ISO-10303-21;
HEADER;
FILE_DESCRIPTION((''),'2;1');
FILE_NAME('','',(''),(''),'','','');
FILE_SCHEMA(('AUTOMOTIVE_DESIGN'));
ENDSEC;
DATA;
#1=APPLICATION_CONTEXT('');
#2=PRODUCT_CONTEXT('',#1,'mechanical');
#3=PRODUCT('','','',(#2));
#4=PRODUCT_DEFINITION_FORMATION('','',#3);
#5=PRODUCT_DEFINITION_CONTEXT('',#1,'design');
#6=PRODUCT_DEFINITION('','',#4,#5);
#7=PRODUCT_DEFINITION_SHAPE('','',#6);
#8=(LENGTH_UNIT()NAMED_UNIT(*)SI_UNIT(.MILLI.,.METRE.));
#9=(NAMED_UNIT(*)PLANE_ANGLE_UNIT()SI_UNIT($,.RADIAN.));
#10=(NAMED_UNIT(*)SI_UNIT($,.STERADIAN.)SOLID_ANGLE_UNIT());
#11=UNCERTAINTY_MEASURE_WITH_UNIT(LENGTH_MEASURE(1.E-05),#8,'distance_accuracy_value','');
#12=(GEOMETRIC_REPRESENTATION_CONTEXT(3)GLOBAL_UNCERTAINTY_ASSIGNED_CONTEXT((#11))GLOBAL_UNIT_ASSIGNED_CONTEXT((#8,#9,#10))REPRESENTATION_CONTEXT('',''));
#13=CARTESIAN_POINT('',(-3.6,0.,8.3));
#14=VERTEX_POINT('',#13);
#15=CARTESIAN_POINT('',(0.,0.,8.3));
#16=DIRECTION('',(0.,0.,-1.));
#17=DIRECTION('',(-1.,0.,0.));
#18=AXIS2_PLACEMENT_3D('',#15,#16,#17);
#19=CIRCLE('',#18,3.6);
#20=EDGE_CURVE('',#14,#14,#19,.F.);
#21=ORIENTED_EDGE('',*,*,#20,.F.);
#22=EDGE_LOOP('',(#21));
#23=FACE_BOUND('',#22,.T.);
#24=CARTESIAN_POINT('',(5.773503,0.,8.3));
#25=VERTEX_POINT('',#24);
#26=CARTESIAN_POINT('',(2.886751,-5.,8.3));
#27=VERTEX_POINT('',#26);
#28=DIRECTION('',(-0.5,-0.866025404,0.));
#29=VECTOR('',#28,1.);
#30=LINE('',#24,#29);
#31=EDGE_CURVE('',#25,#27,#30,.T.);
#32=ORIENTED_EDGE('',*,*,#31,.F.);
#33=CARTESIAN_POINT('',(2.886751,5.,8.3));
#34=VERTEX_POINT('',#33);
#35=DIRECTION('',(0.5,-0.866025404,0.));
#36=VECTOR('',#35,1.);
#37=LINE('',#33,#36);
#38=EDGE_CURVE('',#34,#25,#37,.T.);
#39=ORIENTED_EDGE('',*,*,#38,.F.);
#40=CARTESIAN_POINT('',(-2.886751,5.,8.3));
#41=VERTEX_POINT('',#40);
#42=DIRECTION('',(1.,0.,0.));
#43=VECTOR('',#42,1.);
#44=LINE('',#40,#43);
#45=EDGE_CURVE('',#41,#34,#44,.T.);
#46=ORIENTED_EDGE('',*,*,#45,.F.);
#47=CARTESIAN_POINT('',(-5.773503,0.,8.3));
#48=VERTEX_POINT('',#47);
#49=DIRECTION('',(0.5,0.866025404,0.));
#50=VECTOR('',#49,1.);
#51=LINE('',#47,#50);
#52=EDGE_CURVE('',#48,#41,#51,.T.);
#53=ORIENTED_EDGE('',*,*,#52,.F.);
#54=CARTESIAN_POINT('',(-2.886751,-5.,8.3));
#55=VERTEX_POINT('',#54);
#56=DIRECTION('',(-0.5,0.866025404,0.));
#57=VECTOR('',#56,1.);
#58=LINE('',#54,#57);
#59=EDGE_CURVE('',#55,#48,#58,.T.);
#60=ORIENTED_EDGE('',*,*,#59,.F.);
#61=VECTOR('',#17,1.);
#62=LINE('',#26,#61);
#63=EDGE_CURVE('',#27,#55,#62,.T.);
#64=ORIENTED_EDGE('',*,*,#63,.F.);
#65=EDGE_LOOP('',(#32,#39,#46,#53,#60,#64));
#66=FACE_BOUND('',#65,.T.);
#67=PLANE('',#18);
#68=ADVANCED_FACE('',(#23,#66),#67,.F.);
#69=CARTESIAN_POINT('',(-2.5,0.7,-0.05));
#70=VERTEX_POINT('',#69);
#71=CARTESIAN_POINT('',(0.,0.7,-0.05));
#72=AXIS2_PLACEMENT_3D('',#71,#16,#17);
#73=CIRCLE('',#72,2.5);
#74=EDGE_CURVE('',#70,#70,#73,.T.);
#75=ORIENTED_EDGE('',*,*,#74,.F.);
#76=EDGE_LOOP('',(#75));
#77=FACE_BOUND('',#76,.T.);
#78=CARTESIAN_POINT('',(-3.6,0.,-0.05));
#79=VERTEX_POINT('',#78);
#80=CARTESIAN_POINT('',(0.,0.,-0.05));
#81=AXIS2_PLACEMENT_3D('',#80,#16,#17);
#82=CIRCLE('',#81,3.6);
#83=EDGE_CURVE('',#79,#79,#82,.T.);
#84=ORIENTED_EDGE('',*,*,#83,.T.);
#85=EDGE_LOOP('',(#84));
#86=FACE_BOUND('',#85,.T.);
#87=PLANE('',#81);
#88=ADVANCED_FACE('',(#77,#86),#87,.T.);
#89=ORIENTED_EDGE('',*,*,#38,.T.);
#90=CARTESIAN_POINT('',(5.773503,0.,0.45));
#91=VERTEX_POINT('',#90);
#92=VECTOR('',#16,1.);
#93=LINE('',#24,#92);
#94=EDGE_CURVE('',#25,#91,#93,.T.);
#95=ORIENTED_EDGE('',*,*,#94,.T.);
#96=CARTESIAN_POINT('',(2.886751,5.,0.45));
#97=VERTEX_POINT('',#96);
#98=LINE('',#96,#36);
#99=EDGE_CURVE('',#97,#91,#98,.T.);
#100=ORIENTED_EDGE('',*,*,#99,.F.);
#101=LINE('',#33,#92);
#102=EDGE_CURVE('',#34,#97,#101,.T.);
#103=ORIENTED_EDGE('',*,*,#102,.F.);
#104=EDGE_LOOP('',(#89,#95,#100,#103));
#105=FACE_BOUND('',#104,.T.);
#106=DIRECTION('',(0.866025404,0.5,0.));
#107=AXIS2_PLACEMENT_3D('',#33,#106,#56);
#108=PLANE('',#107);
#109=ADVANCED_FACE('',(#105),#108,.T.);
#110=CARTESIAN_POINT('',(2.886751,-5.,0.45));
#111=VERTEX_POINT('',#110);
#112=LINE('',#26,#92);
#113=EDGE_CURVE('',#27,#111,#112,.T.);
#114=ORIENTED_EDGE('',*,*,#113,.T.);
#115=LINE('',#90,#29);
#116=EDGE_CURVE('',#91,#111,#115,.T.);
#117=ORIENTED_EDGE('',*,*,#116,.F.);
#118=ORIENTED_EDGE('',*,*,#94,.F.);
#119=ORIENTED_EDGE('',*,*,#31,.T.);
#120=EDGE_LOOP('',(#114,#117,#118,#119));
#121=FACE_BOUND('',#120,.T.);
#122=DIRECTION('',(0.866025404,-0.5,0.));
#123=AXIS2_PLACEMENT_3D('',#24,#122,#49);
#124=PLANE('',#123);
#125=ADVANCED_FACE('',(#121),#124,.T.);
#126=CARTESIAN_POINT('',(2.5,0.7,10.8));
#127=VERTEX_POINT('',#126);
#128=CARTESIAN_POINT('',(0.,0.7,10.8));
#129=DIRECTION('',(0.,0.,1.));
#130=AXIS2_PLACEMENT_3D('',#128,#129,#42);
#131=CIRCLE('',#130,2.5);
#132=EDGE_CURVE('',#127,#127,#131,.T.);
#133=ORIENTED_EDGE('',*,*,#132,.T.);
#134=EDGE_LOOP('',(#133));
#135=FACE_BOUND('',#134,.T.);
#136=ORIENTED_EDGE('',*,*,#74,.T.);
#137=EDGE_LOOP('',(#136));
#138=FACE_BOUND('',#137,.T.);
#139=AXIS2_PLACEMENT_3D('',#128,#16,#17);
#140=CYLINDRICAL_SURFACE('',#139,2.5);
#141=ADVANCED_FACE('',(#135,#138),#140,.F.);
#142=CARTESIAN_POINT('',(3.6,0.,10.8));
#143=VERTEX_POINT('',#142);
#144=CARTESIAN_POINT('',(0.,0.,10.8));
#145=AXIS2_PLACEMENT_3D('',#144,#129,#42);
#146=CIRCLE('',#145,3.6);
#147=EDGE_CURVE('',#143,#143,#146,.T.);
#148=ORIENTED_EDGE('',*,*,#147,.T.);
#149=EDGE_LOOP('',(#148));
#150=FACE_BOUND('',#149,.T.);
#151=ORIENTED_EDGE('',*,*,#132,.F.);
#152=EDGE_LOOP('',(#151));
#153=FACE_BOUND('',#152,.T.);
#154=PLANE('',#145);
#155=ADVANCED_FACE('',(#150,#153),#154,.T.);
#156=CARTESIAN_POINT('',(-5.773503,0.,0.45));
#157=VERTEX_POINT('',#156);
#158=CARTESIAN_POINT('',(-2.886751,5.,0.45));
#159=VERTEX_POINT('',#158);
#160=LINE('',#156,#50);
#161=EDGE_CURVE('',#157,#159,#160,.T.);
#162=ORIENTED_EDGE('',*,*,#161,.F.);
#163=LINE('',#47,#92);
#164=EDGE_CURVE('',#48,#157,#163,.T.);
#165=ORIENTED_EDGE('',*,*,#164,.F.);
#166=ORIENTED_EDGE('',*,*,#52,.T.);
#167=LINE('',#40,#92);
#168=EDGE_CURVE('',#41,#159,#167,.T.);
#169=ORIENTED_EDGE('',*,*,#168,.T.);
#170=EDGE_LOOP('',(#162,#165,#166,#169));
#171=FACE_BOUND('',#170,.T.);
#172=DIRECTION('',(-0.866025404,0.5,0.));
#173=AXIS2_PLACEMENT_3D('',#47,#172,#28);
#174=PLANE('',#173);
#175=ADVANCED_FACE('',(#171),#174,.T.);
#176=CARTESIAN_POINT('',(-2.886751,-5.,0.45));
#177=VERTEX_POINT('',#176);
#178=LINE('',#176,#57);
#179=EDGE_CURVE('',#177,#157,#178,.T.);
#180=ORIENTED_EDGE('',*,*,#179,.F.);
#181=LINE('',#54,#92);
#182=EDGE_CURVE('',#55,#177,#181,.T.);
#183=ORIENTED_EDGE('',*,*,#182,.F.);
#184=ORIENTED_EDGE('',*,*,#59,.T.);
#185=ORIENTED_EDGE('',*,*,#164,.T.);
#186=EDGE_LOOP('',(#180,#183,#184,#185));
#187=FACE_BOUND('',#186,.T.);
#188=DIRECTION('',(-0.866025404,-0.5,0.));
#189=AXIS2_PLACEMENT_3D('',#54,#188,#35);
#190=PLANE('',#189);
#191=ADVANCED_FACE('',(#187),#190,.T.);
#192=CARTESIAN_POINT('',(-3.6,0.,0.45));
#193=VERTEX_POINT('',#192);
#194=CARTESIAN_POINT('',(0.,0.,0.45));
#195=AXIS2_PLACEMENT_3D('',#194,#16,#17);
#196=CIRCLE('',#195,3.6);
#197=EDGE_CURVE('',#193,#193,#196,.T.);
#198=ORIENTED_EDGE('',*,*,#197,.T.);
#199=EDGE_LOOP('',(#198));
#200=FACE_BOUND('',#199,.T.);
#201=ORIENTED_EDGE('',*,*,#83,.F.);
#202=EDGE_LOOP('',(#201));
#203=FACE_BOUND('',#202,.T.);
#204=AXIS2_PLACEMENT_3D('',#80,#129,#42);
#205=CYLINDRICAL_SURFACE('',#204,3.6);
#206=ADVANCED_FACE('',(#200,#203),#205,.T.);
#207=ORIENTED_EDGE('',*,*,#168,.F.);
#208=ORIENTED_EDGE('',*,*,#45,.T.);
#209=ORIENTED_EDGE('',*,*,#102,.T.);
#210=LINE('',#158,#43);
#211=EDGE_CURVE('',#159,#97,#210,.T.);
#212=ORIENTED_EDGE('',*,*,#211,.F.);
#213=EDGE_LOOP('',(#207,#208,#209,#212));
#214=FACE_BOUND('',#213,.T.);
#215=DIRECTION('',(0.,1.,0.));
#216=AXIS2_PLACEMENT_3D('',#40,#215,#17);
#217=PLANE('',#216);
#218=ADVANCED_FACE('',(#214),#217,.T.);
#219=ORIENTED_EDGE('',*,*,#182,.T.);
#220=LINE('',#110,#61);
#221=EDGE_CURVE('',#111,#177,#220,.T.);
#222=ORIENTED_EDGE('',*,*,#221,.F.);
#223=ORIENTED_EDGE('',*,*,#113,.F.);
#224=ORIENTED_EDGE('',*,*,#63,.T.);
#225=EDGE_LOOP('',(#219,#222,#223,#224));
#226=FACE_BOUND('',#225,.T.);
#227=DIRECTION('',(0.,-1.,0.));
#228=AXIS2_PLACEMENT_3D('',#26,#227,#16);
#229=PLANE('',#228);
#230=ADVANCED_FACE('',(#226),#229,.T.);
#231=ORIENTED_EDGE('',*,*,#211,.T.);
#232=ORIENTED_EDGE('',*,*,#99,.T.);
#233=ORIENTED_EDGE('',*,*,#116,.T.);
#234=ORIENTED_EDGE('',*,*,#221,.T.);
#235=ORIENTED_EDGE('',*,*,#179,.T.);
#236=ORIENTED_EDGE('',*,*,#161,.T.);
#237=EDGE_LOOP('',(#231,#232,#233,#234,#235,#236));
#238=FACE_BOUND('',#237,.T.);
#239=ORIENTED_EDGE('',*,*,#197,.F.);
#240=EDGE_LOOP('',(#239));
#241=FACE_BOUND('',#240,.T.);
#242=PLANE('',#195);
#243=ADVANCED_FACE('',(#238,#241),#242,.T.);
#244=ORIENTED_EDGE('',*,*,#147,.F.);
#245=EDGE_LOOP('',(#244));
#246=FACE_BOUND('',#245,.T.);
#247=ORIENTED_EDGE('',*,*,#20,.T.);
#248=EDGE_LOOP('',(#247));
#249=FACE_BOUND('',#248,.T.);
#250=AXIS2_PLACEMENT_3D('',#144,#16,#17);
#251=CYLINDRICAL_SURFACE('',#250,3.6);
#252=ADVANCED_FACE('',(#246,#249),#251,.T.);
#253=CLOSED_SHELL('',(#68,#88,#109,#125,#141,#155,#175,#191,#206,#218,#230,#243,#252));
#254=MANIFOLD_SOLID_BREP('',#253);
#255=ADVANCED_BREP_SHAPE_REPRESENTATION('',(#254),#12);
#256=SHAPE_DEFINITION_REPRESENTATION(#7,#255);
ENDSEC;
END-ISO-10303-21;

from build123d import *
from build123d.topology import SkipClean

# Parameters (mm, degrees)
SALIENTE_EXTRUIR1_DEPTH = 7.85
CROQUIS6_R              = 3.6
CROQUIS6_R_2            = 2.5
SALIENTE_EXTRUIR2_DEPTH = 2.5
SALIENTE_EXTRUIR3_START = 0.5
CROQUIS7_R              = 3.6
CROQUIS7_R_2            = 2.5
SALIENTE_EXTRUIR3_DEPTH = 0.5
CORTAR_EXTRUIR1_START   = -8.5
CROQUIS9_R              = 2.5
CORTAR_EXTRUIR1_DEPTH   = 8.5


with BuildPart() as part:
    # Croquis1 → Saliente-Extruir1 (new body)
    with BuildSketch(Plane(origin=(0, 0, 0.45), x_dir=(-1, 0, 0), z_dir=(0, 0, -1))):
        Polygon((2.886751346, -5), (5.773502692, 0), (2.886751346, 5), (-2.886751346, 5), (-5.773502692, 0), (-2.886751346, -5), align=None)
    extrude(amount=-SALIENTE_EXTRUIR1_DEPTH)

    # Croquis6 → Saliente-Extruir2 (add)
    with BuildSketch(Plane.XY.offset(8.3)):
        with Locations(Location((0, 0, 0), (0, 0, 180))):
            Circle(CROQUIS6_R)
        with Locations((0, 0.7)):
            Circle(CROQUIS6_R_2, mode=Mode.SUBTRACT)
    extrude(amount=SALIENTE_EXTRUIR2_DEPTH)

    # Croquis7 → Saliente-Extruir3 (add)
    with BuildSketch(Plane(origin=(0, 0, 0.45), x_dir=(-1, 0, 0), z_dir=(0, 0, -1)).offset(SALIENTE_EXTRUIR3_START)):
        Circle(CROQUIS7_R)
        with Locations(Location((0, 0.7, 0), (0, 0, 180))):
            Circle(CROQUIS7_R_2, mode=Mode.SUBTRACT)
    extrude(amount=-SALIENTE_EXTRUIR3_DEPTH)

    # Croquis9 → Cortar-Extruir1 (cut)
    with SkipClean():  # the faces are left unmerged after this step: merging them gives an invalid solid
        with BuildSketch(Plane.XY.offset(8.3).offset(CORTAR_EXTRUIR1_START)):
            with Locations(Location((0, 0.7, 0), (0, 0, 180))):
                Circle(CROQUIS9_R)
        extrude(amount=CORTAR_EXTRUIR1_DEPTH, mode=Mode.SUBTRACT)


solid = part.part
